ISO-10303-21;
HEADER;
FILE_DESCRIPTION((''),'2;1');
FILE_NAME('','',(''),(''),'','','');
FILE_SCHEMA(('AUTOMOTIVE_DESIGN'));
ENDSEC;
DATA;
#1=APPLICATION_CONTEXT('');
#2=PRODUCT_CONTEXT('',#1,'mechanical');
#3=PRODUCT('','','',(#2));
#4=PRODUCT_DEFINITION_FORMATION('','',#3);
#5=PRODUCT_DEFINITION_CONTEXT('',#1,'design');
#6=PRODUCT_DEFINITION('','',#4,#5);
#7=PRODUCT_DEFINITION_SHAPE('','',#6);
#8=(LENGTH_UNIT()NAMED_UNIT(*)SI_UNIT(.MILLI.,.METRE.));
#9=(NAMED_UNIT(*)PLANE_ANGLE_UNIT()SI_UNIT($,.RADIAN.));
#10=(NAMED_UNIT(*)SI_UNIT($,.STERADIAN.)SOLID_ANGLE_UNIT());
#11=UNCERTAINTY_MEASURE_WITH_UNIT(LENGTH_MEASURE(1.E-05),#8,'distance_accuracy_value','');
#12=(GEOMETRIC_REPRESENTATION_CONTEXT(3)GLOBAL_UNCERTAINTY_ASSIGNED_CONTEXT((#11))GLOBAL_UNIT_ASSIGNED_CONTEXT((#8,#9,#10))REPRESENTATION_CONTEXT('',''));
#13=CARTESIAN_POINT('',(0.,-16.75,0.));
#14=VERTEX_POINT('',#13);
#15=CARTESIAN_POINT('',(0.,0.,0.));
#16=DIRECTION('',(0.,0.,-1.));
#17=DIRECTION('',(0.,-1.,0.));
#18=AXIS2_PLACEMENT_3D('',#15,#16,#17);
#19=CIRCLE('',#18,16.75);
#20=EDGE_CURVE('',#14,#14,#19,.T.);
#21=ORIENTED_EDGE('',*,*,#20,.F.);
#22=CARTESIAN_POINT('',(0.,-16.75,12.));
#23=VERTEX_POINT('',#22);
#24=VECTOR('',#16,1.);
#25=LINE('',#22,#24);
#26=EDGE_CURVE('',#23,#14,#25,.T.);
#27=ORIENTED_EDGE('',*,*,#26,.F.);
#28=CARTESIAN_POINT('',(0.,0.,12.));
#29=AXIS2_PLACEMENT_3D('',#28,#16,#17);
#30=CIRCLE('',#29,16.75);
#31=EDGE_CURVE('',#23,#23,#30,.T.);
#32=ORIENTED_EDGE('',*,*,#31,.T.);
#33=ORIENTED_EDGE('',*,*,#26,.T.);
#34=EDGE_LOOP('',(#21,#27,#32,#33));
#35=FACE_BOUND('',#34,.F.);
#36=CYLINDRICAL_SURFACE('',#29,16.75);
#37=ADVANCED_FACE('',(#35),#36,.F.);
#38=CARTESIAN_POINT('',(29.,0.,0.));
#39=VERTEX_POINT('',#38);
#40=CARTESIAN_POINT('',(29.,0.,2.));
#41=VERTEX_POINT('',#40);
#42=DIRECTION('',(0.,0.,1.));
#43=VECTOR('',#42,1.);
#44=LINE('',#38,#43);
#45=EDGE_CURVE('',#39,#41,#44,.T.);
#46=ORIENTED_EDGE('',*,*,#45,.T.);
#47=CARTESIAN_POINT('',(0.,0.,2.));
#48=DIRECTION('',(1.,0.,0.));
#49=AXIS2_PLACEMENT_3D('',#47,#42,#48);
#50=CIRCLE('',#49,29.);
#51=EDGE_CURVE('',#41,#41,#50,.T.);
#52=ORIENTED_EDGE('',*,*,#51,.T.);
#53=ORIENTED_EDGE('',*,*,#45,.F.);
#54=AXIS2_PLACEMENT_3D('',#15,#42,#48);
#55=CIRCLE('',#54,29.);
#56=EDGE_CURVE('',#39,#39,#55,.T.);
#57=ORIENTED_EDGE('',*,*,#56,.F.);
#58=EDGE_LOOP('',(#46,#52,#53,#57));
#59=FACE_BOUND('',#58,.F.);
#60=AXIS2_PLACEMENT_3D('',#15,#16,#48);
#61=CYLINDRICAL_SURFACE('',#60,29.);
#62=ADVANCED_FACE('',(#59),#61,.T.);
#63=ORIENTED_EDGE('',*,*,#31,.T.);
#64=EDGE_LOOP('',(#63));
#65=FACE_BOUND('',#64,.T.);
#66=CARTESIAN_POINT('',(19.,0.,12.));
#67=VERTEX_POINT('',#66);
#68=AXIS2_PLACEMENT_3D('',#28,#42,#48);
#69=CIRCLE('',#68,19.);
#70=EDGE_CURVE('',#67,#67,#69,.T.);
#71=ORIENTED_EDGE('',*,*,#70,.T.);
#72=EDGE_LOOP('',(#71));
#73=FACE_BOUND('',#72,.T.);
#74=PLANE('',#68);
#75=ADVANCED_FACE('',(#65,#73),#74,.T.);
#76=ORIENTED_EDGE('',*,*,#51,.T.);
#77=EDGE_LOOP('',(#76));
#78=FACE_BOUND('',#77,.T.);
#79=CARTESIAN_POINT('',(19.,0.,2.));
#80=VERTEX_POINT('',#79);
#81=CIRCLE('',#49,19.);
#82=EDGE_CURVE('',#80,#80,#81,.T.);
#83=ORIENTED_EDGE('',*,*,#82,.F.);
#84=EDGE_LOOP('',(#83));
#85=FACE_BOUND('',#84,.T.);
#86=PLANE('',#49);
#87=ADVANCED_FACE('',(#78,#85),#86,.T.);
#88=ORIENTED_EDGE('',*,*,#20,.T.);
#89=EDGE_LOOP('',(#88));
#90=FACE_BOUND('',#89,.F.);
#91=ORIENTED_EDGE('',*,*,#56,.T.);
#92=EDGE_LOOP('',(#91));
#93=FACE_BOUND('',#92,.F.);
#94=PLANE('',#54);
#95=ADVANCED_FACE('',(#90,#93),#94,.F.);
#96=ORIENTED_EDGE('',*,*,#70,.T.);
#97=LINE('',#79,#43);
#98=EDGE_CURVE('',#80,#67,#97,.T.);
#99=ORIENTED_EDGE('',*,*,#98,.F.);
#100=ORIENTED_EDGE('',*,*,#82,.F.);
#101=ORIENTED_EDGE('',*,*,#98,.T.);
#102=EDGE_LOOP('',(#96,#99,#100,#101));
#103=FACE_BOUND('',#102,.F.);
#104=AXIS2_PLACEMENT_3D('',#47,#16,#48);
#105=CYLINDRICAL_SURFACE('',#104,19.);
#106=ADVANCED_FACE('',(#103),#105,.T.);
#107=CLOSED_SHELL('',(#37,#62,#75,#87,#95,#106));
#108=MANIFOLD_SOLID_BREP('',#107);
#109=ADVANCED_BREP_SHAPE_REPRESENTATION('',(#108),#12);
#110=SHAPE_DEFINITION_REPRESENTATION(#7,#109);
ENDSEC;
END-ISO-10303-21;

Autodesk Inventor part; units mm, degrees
ref_plane "YZ Plane" through (0, 0, 0) normal (1, 0, 0) x (0, 1, 0)
ref_plane "XZ Plane" through (0, 0, 0) normal (0, 1, 0) x (-1, 0, 0)
ref_plane "XY Plane" through (0, 0, 0) normal (0, 0, 1) x (1, 0, 0)
sketch "Sketch1" plane through (0, 0, 0) normal (0, 0, 1) x (1, 0, 0)
  circle A0 centre (0, 0) radius 29
  dimension "d1" = 58
extrude "Extrusion1" add sketch "Sketch1" along normal blind 2
sketch "Sketch3" plane through (0, 0, 2) normal (0, 0, 1) x (1, 0, 0)
  circle A0 centre (0, 0) radius 19
  dimension "d11" = 38
extrude "Extrusion2" add sketch "Sketch3" along normal blind 10
sketch "Sketch4" plane through (0, 0, 12) normal (0, 0, 1) x (1, 0, 0)
  point P0 (0, 0)
  point P1 (0, 0)
hole "Hole2" at (0, 0, 12) direction (0, 0, -1) diameter 33.5 depth 12 tip angle 118
properties part number "xiq_camera_holder"
